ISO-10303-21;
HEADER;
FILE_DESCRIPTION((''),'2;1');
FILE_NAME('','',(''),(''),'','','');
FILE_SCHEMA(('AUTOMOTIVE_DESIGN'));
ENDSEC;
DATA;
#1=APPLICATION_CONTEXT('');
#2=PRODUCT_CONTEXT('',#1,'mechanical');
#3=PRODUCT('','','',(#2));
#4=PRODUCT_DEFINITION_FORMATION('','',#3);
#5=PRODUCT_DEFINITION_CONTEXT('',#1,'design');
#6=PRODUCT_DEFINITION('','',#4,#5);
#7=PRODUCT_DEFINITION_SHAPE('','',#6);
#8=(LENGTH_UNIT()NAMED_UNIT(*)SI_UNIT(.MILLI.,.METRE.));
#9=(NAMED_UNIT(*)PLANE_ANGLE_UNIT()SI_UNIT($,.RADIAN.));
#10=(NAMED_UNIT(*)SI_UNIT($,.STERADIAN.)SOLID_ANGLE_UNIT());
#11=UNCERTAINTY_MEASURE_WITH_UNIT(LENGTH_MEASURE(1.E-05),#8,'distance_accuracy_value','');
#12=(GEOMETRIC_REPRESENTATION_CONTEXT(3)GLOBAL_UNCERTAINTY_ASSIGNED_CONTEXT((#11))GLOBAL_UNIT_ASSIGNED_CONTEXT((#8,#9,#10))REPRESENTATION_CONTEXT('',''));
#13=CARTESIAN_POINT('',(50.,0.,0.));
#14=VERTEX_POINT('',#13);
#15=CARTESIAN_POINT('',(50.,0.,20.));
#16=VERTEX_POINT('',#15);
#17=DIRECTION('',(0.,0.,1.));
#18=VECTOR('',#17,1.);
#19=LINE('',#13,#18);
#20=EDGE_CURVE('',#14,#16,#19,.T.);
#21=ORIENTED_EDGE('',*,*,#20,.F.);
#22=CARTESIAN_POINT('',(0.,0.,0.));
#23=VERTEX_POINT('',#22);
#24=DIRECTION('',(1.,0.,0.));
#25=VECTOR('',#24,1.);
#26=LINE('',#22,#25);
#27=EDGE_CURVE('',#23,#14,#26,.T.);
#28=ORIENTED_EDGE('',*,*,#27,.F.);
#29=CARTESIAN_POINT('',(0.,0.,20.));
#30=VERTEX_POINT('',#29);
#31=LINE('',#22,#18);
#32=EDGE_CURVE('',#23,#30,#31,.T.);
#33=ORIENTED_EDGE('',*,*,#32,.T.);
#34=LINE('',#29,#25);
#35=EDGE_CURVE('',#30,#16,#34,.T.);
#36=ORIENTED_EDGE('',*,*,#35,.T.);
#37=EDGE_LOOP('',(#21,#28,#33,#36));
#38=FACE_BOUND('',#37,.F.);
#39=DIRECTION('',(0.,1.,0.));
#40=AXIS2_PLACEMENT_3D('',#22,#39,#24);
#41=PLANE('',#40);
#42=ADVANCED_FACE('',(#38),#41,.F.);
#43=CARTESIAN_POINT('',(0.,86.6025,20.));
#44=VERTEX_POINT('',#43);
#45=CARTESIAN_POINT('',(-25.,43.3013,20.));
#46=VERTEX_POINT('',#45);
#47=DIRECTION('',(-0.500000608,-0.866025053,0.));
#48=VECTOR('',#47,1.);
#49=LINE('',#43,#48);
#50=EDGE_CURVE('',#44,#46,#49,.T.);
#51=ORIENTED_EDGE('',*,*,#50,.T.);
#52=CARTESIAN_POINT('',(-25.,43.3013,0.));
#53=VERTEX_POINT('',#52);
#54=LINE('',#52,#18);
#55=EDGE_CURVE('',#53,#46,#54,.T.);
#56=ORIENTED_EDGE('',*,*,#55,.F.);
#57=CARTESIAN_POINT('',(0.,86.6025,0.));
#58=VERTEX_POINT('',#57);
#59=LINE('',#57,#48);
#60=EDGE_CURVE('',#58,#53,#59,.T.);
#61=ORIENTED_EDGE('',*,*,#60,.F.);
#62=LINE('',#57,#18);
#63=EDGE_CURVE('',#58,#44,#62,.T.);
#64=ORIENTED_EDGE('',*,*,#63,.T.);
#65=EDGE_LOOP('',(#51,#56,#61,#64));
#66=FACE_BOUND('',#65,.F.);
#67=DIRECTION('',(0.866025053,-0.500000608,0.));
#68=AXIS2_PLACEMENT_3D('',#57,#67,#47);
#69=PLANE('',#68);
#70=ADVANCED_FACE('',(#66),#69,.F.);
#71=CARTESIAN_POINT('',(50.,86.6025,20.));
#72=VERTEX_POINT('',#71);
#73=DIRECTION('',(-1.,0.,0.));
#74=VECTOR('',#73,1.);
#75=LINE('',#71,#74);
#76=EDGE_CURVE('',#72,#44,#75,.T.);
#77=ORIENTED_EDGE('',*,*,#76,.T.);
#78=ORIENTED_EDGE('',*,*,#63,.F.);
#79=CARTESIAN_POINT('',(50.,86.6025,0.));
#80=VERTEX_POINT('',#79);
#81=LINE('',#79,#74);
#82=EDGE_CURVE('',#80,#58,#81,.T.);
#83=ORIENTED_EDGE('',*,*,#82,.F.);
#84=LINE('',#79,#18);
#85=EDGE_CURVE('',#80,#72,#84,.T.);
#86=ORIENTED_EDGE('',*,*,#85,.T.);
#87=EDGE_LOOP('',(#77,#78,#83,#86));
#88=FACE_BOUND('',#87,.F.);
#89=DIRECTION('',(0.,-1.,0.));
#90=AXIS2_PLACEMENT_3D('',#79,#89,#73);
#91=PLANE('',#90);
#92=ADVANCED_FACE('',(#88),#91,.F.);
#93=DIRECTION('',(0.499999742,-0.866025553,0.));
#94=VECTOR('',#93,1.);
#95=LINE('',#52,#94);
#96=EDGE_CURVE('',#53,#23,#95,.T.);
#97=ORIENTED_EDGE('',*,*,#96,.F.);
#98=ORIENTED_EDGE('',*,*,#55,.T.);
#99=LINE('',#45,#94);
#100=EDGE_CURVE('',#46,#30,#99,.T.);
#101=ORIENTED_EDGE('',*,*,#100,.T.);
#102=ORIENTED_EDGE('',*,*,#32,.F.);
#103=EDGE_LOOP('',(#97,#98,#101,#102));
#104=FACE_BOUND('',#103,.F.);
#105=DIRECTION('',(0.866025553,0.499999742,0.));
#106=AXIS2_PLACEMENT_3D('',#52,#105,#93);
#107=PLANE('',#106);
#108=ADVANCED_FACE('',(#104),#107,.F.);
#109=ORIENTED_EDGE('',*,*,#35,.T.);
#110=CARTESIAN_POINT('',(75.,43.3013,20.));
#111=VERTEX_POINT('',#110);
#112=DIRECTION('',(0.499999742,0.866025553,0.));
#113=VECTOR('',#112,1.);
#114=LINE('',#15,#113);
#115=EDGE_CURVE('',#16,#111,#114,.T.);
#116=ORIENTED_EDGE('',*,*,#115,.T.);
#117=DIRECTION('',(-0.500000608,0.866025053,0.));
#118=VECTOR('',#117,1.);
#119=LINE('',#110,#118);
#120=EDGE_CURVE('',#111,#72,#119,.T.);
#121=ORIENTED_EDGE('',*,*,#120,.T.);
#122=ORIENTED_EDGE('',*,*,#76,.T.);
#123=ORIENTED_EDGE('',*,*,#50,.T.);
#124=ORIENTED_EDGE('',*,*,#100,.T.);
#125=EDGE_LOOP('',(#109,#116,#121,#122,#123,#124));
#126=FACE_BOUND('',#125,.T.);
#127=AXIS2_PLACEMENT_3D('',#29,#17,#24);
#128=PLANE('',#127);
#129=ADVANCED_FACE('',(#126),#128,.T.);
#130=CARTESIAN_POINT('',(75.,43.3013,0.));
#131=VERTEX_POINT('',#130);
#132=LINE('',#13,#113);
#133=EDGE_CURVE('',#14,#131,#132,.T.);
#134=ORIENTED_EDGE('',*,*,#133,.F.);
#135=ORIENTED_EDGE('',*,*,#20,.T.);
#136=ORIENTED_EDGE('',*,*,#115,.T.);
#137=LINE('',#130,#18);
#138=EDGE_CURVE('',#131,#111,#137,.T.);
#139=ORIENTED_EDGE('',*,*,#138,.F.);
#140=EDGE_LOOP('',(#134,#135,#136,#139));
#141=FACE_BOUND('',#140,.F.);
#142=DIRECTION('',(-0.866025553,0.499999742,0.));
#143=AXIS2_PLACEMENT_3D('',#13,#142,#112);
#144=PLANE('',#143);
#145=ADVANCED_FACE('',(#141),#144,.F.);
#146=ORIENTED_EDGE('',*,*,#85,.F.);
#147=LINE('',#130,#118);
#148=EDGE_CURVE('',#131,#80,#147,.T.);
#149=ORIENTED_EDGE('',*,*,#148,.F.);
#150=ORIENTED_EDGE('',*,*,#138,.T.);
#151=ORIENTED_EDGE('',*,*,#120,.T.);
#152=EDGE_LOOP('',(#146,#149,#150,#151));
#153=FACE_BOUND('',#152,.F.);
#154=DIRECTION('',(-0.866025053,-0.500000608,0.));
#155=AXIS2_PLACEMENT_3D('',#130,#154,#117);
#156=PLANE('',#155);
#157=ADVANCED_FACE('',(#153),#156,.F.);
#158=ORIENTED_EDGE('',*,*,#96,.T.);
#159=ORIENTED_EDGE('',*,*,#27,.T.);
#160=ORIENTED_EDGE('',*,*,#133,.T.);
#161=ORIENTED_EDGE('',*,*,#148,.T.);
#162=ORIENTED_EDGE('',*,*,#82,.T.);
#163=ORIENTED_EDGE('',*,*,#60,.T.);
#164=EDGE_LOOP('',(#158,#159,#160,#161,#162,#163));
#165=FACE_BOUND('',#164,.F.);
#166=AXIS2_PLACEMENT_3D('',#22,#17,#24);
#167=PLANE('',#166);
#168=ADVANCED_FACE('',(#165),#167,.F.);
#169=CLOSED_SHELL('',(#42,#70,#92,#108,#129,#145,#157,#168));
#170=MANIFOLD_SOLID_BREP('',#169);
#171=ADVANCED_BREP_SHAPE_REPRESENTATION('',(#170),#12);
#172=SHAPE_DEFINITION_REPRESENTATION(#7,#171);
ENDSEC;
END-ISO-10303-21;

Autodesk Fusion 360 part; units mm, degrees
sketch "Hexagon" plane through (0, 0, 0) normal (0, 0, 1) x (1, 0, 0)
  line L0 (0, 0) -> (50, 0)
  line L1 (50, 0) -> (75, 43.3013)
  line L2 (75, 43.3013) -> (50, 86.6025)
  line L3 (50, 86.6025) -> (0, 86.6025)
  line L4 (0, 86.6025) -> (-25, 43.3013)
  line L5 (-25, 43.3013) -> (0, 0)
  line L6 (0, 0) -> (50, 0) construction
  point P0 (25, 43.3013)
  dimension "d1" = 50
  dimension "d2" = 0
  dimension "d3" = 86.6025
  dimension "d4" = 100
extrude "Extrude1" add sketch "Hexagon" along normal blind 20
